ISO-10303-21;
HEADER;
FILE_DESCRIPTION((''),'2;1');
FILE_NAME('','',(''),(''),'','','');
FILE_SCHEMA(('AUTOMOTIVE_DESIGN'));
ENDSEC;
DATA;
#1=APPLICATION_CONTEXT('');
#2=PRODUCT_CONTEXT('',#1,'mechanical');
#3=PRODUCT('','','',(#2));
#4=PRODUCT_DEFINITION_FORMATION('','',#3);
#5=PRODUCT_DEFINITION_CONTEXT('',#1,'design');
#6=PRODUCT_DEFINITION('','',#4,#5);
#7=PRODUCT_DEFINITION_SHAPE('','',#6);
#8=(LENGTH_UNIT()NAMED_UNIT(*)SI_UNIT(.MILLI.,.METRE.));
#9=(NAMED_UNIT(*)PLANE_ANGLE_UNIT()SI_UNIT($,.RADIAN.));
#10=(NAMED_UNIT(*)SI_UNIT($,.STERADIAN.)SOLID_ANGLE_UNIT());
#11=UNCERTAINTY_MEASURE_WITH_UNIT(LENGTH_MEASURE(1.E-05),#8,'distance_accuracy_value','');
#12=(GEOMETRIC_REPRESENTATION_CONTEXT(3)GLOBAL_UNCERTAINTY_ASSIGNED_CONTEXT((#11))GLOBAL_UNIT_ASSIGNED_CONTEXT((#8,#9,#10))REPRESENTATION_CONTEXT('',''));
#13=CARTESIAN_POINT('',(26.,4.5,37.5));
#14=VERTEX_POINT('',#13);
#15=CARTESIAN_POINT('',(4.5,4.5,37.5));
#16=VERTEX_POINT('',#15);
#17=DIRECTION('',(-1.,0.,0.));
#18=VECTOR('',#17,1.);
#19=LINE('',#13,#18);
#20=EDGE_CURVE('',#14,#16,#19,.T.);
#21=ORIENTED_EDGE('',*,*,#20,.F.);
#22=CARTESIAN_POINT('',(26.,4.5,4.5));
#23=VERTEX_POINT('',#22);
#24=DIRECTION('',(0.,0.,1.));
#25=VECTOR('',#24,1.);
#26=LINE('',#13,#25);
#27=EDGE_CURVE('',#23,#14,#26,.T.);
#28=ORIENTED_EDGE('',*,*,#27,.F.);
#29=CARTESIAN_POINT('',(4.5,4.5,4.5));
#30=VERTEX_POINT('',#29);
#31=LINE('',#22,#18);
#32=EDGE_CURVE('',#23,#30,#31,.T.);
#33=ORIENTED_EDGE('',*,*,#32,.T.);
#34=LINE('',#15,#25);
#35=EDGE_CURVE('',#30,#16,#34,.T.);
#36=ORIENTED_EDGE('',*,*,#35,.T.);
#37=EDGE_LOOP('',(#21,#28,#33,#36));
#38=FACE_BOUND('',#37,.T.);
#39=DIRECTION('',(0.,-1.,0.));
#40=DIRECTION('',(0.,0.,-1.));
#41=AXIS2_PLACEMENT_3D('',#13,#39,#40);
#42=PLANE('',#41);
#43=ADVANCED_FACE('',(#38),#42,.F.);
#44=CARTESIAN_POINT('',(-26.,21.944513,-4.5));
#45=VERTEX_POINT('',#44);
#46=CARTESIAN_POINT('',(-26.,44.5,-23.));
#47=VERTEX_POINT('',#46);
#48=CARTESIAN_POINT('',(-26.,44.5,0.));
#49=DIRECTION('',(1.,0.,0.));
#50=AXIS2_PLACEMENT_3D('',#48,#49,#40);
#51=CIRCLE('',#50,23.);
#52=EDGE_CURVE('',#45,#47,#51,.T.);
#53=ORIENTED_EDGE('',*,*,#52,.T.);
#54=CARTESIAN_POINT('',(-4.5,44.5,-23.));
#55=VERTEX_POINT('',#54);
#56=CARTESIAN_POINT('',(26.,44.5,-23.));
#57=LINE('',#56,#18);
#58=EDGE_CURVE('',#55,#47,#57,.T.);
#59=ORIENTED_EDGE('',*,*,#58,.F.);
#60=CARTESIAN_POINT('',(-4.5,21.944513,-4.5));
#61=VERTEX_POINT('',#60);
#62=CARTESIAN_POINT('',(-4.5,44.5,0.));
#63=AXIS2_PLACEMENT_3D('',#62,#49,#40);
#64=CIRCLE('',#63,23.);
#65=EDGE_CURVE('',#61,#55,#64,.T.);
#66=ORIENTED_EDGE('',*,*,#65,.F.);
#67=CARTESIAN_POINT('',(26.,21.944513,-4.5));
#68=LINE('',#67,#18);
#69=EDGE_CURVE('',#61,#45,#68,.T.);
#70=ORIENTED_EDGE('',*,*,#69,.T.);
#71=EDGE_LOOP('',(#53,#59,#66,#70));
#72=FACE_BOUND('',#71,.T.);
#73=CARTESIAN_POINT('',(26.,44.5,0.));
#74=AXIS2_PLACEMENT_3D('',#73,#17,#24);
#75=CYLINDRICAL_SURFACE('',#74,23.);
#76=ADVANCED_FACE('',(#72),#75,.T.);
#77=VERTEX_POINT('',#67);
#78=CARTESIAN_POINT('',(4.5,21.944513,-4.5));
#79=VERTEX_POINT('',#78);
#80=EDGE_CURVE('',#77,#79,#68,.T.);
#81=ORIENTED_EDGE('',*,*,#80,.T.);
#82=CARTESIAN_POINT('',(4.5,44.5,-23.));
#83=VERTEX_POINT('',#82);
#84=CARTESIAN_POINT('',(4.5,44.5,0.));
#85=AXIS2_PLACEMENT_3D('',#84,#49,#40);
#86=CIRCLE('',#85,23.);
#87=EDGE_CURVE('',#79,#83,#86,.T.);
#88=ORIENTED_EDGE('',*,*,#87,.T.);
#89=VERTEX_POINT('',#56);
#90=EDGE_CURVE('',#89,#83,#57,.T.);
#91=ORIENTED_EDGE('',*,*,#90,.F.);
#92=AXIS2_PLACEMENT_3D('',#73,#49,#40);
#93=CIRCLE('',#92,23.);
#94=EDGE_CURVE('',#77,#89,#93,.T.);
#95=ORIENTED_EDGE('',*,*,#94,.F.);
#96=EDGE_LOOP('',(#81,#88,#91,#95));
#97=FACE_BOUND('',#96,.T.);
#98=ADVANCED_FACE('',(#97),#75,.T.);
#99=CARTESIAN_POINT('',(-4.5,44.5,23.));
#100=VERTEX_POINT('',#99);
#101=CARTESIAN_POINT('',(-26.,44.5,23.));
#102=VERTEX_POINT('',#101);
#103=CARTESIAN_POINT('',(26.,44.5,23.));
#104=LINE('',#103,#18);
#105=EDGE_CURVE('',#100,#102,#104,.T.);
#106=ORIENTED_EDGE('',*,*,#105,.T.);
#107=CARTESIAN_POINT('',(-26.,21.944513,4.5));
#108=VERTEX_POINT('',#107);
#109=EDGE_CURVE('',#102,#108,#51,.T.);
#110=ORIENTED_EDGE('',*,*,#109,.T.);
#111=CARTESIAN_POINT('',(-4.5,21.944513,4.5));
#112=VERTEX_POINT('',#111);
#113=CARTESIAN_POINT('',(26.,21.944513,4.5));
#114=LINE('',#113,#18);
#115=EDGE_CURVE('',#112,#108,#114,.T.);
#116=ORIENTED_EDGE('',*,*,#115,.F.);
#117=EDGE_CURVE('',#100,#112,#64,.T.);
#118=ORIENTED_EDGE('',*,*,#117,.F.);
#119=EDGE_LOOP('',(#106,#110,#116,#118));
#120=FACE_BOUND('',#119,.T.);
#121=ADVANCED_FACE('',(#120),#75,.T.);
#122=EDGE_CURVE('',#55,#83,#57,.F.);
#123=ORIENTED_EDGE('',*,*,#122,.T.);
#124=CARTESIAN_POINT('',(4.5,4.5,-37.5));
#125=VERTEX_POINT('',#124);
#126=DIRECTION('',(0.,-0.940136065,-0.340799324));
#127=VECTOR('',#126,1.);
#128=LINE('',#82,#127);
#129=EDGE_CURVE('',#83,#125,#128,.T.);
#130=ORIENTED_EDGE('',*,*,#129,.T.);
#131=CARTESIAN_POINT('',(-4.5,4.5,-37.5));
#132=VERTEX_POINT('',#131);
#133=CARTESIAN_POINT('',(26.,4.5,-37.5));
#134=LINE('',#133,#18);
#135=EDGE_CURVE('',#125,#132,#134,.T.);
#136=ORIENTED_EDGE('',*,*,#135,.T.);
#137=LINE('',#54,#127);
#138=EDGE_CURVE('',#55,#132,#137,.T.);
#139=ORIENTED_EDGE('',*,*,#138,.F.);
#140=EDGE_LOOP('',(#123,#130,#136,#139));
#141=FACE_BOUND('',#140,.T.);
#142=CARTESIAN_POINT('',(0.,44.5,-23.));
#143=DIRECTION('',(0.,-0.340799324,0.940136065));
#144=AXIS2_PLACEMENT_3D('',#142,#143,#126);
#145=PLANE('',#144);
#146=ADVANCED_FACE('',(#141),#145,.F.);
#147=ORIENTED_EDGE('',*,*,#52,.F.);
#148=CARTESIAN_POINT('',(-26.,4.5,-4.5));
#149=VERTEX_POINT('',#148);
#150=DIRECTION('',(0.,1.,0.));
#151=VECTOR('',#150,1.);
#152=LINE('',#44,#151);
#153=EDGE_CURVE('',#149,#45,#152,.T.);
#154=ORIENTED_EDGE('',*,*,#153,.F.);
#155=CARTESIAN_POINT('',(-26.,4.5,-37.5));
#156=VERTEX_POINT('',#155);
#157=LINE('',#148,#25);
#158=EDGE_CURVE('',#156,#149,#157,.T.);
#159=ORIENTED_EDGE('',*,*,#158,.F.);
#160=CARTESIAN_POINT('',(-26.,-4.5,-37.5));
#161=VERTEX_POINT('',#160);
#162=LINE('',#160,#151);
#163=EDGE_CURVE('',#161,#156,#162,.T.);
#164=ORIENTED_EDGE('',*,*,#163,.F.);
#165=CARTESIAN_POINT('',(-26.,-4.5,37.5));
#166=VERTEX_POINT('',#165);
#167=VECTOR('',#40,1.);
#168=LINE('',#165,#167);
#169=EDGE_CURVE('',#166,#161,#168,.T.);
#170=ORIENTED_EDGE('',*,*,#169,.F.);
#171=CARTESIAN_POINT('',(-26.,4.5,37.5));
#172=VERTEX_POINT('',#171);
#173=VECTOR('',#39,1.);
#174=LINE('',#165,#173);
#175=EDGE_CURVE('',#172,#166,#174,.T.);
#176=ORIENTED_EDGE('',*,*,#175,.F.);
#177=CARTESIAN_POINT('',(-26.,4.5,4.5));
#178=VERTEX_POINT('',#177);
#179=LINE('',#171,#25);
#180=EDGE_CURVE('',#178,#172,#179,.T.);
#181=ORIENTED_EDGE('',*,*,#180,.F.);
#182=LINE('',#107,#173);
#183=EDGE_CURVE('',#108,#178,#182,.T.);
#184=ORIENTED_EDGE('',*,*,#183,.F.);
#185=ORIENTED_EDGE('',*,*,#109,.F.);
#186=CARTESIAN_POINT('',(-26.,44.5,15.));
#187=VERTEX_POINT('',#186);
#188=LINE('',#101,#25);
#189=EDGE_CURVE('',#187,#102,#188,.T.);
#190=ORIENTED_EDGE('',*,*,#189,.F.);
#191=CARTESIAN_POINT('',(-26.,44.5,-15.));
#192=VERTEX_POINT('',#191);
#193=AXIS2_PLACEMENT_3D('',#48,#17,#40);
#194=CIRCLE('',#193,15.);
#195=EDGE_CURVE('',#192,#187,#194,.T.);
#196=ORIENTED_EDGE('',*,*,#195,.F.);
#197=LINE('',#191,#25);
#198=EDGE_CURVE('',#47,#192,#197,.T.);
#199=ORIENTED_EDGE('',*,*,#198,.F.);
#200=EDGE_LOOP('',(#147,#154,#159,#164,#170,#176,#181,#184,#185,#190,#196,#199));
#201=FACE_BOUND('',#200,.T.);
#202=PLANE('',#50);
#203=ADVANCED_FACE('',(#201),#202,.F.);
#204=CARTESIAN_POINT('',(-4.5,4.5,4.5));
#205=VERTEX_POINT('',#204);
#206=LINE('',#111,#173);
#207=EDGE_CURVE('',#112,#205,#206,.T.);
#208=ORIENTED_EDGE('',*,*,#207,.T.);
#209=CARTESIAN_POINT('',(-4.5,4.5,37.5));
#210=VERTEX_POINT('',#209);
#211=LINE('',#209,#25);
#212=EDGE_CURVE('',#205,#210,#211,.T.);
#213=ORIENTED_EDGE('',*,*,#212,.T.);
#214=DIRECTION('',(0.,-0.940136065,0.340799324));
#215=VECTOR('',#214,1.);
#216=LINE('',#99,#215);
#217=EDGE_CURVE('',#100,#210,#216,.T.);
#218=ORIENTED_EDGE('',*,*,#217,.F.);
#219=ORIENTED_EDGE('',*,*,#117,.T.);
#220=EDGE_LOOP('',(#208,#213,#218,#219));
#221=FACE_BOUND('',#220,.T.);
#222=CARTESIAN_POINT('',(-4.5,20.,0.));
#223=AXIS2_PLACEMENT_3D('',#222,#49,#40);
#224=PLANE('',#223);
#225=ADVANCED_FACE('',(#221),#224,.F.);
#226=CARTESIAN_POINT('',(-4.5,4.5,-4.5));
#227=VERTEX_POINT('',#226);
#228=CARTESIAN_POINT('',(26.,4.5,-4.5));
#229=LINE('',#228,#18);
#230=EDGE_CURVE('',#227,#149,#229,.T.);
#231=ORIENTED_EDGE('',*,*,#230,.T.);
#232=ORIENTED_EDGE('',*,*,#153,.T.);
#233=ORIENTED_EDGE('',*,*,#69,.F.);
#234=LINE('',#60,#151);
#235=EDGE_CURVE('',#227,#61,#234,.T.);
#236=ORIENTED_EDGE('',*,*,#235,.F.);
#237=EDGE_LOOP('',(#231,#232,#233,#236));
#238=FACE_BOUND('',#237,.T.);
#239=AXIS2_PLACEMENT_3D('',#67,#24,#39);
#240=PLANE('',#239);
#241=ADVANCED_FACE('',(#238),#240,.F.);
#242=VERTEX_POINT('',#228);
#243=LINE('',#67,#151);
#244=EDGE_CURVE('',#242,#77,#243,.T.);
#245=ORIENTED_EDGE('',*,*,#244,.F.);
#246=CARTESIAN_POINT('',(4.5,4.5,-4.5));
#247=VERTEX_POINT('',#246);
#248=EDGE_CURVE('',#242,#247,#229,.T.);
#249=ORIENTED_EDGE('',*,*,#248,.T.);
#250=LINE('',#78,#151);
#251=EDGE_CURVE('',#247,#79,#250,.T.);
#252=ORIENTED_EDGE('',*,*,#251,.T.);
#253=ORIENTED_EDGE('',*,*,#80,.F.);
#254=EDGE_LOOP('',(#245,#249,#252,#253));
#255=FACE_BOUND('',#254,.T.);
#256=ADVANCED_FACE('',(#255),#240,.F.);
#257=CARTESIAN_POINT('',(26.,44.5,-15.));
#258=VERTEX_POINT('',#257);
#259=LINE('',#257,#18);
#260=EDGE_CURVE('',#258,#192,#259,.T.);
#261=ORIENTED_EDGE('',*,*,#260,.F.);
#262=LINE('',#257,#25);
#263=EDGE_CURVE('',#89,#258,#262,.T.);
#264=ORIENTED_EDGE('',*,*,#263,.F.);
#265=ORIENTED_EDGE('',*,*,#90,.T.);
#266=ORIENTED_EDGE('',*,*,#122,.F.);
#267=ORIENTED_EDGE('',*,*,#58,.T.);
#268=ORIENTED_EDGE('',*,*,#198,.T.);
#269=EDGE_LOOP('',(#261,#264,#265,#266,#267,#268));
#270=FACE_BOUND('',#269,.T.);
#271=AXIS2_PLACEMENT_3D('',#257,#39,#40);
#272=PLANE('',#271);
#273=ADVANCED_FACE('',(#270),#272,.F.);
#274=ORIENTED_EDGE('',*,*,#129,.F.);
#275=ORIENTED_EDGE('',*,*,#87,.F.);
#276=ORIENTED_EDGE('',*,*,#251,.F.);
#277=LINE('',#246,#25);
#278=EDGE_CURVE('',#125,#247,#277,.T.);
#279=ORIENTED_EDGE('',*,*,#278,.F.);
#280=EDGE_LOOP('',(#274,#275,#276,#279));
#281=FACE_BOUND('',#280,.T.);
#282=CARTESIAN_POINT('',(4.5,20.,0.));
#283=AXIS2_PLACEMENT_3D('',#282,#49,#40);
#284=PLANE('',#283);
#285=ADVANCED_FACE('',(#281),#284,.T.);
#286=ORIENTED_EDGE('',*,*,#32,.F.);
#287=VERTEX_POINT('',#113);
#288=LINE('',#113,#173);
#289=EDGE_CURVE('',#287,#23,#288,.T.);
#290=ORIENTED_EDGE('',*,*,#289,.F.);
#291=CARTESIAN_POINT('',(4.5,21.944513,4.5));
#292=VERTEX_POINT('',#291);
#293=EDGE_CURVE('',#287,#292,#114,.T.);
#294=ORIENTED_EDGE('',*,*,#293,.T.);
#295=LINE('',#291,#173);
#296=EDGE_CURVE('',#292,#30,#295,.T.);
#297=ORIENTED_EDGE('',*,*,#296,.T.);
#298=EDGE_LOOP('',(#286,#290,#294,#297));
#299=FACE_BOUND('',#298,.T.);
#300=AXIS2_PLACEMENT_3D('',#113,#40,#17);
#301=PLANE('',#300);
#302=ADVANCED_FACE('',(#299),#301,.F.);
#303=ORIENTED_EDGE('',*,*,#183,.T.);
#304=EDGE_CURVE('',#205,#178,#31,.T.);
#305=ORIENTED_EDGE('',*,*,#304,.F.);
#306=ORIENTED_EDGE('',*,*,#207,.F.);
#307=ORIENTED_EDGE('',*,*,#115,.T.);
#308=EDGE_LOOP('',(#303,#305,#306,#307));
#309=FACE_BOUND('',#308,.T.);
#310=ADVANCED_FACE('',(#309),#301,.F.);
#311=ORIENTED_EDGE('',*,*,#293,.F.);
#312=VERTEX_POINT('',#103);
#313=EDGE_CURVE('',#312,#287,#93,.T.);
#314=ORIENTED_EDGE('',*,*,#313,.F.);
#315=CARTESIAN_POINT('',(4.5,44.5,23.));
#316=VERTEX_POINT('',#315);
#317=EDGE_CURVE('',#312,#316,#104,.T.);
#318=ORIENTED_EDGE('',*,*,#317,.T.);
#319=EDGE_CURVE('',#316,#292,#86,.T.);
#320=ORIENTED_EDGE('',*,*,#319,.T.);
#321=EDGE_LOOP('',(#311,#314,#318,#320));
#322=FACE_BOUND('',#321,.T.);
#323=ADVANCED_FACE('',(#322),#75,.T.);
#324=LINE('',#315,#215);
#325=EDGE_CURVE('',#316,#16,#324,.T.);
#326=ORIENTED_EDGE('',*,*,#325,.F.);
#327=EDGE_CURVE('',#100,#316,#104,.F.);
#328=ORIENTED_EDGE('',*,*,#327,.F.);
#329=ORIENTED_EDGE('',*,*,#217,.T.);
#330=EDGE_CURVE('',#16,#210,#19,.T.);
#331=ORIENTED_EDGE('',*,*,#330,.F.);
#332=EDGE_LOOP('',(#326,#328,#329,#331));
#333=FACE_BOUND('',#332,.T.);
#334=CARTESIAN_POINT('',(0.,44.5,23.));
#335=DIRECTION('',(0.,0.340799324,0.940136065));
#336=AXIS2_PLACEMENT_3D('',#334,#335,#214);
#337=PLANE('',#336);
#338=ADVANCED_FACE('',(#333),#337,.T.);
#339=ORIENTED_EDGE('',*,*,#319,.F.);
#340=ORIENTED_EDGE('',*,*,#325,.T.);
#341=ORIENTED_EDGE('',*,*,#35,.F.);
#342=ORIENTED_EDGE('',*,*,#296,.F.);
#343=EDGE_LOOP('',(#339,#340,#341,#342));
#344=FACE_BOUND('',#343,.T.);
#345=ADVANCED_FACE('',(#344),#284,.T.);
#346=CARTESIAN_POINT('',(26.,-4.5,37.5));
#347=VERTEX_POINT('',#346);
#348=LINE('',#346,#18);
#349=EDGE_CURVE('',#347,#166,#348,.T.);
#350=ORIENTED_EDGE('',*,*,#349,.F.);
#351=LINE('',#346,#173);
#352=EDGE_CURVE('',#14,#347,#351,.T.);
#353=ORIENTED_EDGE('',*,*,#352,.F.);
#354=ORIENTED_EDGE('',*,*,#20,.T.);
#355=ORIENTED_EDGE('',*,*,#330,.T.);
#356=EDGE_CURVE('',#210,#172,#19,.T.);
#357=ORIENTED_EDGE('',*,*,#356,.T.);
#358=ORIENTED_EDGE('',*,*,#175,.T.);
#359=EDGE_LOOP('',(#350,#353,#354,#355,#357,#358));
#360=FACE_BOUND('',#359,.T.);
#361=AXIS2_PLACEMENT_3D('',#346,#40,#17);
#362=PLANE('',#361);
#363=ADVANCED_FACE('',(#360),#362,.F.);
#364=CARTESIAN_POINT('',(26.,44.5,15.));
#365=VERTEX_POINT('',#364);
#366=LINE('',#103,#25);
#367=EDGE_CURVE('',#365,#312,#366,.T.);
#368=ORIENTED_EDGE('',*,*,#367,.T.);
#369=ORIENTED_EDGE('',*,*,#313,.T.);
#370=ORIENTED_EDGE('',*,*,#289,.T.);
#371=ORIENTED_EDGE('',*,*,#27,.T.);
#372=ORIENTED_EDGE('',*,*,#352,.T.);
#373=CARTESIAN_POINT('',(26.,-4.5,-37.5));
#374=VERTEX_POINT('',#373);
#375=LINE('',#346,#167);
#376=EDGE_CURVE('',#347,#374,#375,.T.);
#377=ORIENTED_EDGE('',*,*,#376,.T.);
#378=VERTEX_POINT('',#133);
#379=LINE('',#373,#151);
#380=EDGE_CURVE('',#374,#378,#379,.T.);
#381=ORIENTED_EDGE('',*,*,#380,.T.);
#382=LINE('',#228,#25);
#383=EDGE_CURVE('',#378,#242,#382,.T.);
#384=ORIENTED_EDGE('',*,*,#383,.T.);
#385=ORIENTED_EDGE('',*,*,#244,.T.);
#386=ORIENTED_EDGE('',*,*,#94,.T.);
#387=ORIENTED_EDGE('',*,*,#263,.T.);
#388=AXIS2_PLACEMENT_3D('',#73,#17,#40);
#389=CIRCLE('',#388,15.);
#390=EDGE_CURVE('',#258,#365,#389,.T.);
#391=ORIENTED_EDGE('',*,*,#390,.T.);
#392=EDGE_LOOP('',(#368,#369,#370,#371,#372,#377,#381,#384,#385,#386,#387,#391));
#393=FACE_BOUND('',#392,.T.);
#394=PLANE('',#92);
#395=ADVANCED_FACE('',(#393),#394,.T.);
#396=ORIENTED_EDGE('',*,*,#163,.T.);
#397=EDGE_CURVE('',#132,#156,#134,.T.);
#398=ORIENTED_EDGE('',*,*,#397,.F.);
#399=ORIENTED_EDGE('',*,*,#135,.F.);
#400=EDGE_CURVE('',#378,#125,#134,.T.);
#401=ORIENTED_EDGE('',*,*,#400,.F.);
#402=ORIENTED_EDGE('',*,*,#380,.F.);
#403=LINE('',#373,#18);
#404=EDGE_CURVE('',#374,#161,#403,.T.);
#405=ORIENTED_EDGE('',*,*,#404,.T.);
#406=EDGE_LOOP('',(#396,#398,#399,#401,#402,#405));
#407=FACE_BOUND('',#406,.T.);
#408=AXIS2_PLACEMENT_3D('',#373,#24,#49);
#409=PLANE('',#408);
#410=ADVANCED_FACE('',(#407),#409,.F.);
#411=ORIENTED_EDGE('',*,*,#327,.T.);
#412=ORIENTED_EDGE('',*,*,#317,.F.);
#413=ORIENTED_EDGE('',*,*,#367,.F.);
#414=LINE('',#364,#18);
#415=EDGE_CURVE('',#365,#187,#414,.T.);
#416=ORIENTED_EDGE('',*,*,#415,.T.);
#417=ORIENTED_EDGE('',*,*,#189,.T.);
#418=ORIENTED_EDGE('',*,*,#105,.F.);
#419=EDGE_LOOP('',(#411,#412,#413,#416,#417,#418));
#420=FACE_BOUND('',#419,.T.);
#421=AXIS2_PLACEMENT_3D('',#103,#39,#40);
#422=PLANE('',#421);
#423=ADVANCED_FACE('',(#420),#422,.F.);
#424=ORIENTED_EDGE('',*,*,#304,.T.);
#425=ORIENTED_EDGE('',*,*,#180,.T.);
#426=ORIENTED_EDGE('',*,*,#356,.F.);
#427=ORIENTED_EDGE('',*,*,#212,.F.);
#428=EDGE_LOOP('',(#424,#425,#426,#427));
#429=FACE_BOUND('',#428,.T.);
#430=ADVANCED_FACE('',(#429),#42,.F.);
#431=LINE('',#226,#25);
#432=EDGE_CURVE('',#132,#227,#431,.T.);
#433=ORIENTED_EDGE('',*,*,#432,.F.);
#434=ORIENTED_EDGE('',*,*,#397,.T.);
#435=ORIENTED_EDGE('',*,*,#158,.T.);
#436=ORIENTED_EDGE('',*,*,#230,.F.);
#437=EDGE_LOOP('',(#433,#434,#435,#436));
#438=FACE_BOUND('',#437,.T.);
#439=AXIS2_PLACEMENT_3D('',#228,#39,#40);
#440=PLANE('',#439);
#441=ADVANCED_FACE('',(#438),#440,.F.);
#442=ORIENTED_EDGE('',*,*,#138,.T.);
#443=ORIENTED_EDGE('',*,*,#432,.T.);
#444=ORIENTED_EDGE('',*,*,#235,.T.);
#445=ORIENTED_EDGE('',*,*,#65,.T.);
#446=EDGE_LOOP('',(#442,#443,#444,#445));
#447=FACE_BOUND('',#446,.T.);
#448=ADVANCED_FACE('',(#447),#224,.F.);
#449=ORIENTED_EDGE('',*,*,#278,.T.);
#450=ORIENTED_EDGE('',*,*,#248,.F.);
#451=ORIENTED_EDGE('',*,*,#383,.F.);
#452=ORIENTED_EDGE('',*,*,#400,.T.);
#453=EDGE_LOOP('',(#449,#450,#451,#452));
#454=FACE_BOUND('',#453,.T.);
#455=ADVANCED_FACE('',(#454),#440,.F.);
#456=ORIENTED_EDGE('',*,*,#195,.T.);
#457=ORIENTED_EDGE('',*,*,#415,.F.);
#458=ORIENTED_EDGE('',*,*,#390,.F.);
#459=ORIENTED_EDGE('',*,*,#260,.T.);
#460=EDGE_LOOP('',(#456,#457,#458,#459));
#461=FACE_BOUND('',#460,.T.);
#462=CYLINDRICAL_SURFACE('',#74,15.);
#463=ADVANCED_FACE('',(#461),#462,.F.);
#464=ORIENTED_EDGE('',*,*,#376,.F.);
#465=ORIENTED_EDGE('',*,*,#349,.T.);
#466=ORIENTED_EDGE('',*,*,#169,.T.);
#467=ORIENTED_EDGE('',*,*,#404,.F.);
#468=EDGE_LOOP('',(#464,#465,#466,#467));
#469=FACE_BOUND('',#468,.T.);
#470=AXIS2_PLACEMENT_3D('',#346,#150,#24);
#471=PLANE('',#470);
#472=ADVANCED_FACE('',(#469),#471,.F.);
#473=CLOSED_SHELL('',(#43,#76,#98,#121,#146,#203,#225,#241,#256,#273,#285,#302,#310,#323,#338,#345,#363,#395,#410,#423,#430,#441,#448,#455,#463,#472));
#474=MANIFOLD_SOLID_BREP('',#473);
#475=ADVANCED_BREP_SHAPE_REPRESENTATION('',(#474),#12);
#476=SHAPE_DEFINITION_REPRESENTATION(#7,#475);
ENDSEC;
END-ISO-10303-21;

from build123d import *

# Parameters (mm, degrees)
BOSS_EXTRUDE1_DEPTH = 26
RIB9_REACH          = 65.738
SKETCH6_WALL_W      = 172.022520638
SKETCH6_WALL_H      = 9


with BuildPart() as part:
    # Sketch1 → Boss-Extrude1 (new, symmetric)
    with BuildSketch(Plane(origin=(0, 0, 0), x_dir=(0, 0, -1), z_dir=(1, 0, 0))):
        with BuildLine():
            Line((-23, 44.5), (-15, 44.5))
            ThreePointArc((-15, 44.5), (0, 29.5), (15, 44.5))
            Line((15, 44.5), (23, 44.5))
            ThreePointArc((23, 44.5), (17.783419244, 29.914047854), (4.5, 21.944512863))
            Line((4.5, 21.944512863), (4.5, 4.5))
            Line((4.5, 4.5), (37.5, 4.5))
            Line((37.5, 4.5), (37.5, -4.5))
            Line((37.5, -4.5), (-37.5, -4.5))
            Line((-37.5, -4.5), (-37.5, 4.5))
            Line((-37.5, 4.5), (-4.5, 4.5))
            Line((-4.5, 4.5), (-4.5, 21.944512863))
            ThreePointArc((-4.5, 21.944512863), (-17.783419244, 29.914047854), (-23, 44.5))
        make_face()
    extrude(amount=BOSS_EXTRUDE1_DEPTH, both=True)

    # Sketch6 wall → Rib9 (add, up to next)
    with BuildSketch(Plane(origin=(0, 24.5, -30.25), x_dir=(0, -0.940136065162, -0.340799323621), z_dir=(0, 0.340799323621, -0.940136065162)), mode=Mode.PRIVATE) as rib9_sk1:
        Rectangle(SKETCH6_WALL_W, SKETCH6_WALL_H)
    rib9_tool1 = extrude(rib9_sk1.sketch, amount=-RIB9_REACH, mode=Mode.PRIVATE) - part.part
    rib9 = rib9_tool1.solids().sort_by_distance((0, 24.5, -30.25))[0]
    add(rib9)

    # Mirror1: Rib9 across plane
    add(rib9.mirror(Plane.XY))


solid = part.part
